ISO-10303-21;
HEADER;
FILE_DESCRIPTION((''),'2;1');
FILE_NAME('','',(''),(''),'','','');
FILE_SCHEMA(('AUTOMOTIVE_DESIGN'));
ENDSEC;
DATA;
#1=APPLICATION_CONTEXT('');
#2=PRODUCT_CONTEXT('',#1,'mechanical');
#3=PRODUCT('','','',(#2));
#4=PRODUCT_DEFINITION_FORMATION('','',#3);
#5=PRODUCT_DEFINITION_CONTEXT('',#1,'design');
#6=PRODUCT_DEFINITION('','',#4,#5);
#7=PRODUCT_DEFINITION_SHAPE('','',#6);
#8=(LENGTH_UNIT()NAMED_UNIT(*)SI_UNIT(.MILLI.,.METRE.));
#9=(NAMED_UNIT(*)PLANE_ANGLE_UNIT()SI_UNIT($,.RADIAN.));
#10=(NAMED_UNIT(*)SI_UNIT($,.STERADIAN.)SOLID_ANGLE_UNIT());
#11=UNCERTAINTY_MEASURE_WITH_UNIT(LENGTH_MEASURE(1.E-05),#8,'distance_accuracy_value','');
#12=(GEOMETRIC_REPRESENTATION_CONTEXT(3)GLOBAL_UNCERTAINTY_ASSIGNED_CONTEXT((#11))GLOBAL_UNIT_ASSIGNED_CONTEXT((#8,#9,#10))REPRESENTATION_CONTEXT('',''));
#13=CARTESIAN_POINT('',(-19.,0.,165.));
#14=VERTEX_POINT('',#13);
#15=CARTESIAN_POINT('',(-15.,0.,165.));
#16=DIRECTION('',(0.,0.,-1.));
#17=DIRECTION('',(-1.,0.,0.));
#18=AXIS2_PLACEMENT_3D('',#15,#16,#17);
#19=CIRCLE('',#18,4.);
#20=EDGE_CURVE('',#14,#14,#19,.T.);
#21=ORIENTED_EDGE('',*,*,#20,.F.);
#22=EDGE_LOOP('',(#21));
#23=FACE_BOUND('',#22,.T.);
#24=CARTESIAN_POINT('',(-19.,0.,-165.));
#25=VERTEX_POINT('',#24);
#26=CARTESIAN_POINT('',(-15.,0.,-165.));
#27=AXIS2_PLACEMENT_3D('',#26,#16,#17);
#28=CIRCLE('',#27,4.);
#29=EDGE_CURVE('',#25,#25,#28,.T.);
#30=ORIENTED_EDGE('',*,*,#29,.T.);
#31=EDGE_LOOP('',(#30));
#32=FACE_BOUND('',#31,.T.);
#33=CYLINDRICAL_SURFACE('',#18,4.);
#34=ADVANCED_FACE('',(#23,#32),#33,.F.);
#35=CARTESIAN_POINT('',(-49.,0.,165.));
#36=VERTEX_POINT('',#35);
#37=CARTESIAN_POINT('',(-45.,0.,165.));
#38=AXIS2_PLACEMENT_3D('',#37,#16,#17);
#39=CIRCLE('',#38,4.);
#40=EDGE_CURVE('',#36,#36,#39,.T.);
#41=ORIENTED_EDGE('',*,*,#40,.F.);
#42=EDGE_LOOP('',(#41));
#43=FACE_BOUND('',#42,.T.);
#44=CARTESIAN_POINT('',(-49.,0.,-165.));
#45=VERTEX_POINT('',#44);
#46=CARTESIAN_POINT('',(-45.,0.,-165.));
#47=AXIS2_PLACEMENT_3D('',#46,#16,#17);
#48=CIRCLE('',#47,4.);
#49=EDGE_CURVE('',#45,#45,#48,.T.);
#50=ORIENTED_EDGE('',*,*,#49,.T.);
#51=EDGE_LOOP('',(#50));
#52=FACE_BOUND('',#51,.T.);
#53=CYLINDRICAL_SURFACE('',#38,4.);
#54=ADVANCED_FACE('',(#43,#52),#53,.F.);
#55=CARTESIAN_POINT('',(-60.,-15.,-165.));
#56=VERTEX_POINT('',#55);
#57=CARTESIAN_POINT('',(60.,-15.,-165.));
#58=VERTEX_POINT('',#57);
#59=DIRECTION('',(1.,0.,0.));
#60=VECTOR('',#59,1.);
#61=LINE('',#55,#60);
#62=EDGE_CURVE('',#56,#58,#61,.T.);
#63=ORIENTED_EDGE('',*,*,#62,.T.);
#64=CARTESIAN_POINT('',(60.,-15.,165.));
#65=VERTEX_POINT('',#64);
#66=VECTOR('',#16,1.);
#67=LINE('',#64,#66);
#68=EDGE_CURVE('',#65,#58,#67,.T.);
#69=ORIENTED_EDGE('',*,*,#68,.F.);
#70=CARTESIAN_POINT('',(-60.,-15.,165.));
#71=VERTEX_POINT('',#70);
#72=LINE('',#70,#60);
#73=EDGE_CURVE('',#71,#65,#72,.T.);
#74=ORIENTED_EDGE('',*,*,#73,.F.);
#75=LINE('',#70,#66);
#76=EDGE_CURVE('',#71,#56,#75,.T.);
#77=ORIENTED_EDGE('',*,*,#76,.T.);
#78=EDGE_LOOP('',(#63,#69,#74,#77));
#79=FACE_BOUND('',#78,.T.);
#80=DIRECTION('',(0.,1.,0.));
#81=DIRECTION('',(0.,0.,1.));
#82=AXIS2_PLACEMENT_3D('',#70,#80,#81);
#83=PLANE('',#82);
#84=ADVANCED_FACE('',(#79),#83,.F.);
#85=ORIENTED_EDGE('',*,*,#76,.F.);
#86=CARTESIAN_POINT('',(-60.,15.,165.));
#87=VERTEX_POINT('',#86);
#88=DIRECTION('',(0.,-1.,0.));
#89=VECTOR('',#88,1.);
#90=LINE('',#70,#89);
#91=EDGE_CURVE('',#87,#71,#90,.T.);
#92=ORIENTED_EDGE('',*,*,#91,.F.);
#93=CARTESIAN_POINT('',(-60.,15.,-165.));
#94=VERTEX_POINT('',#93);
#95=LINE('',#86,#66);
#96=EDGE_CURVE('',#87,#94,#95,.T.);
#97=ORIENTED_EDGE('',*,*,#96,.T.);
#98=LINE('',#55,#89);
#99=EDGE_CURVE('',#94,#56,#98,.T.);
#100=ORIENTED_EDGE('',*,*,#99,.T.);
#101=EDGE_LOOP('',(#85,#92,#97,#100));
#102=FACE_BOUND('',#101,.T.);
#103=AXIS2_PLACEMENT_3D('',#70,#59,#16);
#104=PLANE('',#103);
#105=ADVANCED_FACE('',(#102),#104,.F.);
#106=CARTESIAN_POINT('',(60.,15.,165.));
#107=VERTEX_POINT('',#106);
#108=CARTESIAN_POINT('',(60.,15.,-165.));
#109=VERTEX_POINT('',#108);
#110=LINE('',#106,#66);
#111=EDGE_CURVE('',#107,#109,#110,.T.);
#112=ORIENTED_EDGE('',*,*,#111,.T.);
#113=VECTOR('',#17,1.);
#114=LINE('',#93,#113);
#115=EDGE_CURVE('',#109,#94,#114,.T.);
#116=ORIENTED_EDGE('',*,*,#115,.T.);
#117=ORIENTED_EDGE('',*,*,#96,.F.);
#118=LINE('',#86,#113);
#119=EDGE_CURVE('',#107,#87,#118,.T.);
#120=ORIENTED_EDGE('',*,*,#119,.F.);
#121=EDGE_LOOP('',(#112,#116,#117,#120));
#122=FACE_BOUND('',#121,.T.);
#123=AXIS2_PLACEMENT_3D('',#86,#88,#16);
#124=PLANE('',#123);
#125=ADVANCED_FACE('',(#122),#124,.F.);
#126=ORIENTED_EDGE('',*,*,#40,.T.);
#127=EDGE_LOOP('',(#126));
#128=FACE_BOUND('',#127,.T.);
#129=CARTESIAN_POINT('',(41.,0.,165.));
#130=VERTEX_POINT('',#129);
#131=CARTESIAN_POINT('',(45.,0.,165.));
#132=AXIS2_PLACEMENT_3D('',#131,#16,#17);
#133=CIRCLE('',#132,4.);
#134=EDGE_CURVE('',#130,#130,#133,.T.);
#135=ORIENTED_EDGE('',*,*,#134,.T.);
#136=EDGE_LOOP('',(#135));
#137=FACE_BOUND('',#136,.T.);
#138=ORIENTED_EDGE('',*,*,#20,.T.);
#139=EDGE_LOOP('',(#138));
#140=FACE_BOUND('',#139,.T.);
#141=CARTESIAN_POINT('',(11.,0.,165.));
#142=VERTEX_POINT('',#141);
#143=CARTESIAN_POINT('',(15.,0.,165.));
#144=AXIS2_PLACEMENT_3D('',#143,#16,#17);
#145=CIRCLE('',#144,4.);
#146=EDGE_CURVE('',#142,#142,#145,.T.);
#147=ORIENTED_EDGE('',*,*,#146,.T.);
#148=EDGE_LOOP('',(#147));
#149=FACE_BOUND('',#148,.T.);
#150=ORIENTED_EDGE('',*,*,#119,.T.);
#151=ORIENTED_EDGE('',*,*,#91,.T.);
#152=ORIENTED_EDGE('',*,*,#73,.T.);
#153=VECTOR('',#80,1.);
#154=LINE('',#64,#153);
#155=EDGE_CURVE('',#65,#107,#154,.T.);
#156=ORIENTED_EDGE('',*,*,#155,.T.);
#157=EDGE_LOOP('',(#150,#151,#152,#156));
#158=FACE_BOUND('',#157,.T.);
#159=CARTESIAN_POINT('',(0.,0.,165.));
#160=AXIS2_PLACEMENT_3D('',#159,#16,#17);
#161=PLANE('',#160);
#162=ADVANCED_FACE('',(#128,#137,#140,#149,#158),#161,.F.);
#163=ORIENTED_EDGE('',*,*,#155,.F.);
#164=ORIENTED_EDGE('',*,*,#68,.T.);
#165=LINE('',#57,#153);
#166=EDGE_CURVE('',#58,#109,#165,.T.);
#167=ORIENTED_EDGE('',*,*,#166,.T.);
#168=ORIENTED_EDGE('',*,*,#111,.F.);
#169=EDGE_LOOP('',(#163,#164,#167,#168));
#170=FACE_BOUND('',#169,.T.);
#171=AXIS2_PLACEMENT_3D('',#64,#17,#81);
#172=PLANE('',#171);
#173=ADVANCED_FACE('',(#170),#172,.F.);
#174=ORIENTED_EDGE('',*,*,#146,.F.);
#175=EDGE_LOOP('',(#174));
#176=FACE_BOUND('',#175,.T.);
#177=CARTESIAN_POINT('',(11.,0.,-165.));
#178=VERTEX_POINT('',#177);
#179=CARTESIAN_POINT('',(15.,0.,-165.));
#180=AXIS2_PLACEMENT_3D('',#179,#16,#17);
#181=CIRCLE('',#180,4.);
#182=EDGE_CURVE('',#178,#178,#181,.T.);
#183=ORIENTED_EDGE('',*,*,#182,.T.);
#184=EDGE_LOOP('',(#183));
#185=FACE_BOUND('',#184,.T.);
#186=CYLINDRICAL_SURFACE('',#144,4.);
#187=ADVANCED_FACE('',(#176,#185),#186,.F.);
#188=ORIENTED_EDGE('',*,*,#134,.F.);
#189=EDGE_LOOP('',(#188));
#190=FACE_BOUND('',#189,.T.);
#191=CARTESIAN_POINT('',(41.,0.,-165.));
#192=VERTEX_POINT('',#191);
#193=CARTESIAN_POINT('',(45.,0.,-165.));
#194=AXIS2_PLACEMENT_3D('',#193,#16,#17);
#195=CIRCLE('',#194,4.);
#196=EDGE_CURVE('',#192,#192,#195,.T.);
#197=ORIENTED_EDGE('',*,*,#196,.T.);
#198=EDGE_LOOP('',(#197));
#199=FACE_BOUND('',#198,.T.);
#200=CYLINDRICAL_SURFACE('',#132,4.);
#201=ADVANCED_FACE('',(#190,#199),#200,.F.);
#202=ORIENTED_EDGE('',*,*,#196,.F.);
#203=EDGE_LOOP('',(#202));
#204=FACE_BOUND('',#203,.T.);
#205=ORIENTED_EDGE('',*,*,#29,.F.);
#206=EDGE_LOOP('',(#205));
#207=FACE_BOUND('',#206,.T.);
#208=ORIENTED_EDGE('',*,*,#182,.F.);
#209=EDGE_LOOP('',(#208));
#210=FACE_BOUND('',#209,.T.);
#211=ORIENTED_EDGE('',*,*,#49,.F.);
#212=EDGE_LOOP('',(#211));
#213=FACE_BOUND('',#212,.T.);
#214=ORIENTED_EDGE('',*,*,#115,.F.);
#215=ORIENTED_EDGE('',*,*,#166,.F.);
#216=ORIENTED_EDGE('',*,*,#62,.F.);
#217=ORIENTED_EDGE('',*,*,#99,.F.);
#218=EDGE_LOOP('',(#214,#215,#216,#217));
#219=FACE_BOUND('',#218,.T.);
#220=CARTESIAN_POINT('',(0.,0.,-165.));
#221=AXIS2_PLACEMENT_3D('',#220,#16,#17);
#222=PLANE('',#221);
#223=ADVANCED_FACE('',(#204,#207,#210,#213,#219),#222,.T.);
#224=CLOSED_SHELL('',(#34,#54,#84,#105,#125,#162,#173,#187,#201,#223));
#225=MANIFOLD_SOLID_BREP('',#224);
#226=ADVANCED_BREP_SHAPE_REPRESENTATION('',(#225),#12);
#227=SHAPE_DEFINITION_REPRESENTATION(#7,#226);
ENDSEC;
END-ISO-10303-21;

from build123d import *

# Parameters (mm, degrees)
SKETCH1_W           = 120
SKETCH1_H           = 30
BOSS_EXTRUDE1_DEPTH = 165
SKETCH2_R           = 4
CUT_EXTRUDE1_DEPTH  = 331


with BuildPart() as part:
    # Sketch1 → Boss-Extrude1 (new body, symmetric)
    with BuildSketch(Plane.XY):
        Rectangle(SKETCH1_W, SKETCH1_H)
    extrude(amount=BOSS_EXTRUDE1_DEPTH, both=True)

    # Sketch2 → Cut-Extrude1 (cut, through all)
    with BuildSketch(Plane(origin=(0, 0, -165), x_dir=(-1, 0, 0), z_dir=(0, 0, -1))):
        with Locations((-45, 0)):
            Circle(SKETCH2_R)
        with Locations((-15, 0)):
            Circle(SKETCH2_R)
        with Locations((15, 0)):
            Circle(SKETCH2_R)
        with Locations((45, 0)):
            Circle(SKETCH2_R)
    extrude(amount=-CUT_EXTRUDE1_DEPTH, mode=Mode.SUBTRACT)


solid = part.part
